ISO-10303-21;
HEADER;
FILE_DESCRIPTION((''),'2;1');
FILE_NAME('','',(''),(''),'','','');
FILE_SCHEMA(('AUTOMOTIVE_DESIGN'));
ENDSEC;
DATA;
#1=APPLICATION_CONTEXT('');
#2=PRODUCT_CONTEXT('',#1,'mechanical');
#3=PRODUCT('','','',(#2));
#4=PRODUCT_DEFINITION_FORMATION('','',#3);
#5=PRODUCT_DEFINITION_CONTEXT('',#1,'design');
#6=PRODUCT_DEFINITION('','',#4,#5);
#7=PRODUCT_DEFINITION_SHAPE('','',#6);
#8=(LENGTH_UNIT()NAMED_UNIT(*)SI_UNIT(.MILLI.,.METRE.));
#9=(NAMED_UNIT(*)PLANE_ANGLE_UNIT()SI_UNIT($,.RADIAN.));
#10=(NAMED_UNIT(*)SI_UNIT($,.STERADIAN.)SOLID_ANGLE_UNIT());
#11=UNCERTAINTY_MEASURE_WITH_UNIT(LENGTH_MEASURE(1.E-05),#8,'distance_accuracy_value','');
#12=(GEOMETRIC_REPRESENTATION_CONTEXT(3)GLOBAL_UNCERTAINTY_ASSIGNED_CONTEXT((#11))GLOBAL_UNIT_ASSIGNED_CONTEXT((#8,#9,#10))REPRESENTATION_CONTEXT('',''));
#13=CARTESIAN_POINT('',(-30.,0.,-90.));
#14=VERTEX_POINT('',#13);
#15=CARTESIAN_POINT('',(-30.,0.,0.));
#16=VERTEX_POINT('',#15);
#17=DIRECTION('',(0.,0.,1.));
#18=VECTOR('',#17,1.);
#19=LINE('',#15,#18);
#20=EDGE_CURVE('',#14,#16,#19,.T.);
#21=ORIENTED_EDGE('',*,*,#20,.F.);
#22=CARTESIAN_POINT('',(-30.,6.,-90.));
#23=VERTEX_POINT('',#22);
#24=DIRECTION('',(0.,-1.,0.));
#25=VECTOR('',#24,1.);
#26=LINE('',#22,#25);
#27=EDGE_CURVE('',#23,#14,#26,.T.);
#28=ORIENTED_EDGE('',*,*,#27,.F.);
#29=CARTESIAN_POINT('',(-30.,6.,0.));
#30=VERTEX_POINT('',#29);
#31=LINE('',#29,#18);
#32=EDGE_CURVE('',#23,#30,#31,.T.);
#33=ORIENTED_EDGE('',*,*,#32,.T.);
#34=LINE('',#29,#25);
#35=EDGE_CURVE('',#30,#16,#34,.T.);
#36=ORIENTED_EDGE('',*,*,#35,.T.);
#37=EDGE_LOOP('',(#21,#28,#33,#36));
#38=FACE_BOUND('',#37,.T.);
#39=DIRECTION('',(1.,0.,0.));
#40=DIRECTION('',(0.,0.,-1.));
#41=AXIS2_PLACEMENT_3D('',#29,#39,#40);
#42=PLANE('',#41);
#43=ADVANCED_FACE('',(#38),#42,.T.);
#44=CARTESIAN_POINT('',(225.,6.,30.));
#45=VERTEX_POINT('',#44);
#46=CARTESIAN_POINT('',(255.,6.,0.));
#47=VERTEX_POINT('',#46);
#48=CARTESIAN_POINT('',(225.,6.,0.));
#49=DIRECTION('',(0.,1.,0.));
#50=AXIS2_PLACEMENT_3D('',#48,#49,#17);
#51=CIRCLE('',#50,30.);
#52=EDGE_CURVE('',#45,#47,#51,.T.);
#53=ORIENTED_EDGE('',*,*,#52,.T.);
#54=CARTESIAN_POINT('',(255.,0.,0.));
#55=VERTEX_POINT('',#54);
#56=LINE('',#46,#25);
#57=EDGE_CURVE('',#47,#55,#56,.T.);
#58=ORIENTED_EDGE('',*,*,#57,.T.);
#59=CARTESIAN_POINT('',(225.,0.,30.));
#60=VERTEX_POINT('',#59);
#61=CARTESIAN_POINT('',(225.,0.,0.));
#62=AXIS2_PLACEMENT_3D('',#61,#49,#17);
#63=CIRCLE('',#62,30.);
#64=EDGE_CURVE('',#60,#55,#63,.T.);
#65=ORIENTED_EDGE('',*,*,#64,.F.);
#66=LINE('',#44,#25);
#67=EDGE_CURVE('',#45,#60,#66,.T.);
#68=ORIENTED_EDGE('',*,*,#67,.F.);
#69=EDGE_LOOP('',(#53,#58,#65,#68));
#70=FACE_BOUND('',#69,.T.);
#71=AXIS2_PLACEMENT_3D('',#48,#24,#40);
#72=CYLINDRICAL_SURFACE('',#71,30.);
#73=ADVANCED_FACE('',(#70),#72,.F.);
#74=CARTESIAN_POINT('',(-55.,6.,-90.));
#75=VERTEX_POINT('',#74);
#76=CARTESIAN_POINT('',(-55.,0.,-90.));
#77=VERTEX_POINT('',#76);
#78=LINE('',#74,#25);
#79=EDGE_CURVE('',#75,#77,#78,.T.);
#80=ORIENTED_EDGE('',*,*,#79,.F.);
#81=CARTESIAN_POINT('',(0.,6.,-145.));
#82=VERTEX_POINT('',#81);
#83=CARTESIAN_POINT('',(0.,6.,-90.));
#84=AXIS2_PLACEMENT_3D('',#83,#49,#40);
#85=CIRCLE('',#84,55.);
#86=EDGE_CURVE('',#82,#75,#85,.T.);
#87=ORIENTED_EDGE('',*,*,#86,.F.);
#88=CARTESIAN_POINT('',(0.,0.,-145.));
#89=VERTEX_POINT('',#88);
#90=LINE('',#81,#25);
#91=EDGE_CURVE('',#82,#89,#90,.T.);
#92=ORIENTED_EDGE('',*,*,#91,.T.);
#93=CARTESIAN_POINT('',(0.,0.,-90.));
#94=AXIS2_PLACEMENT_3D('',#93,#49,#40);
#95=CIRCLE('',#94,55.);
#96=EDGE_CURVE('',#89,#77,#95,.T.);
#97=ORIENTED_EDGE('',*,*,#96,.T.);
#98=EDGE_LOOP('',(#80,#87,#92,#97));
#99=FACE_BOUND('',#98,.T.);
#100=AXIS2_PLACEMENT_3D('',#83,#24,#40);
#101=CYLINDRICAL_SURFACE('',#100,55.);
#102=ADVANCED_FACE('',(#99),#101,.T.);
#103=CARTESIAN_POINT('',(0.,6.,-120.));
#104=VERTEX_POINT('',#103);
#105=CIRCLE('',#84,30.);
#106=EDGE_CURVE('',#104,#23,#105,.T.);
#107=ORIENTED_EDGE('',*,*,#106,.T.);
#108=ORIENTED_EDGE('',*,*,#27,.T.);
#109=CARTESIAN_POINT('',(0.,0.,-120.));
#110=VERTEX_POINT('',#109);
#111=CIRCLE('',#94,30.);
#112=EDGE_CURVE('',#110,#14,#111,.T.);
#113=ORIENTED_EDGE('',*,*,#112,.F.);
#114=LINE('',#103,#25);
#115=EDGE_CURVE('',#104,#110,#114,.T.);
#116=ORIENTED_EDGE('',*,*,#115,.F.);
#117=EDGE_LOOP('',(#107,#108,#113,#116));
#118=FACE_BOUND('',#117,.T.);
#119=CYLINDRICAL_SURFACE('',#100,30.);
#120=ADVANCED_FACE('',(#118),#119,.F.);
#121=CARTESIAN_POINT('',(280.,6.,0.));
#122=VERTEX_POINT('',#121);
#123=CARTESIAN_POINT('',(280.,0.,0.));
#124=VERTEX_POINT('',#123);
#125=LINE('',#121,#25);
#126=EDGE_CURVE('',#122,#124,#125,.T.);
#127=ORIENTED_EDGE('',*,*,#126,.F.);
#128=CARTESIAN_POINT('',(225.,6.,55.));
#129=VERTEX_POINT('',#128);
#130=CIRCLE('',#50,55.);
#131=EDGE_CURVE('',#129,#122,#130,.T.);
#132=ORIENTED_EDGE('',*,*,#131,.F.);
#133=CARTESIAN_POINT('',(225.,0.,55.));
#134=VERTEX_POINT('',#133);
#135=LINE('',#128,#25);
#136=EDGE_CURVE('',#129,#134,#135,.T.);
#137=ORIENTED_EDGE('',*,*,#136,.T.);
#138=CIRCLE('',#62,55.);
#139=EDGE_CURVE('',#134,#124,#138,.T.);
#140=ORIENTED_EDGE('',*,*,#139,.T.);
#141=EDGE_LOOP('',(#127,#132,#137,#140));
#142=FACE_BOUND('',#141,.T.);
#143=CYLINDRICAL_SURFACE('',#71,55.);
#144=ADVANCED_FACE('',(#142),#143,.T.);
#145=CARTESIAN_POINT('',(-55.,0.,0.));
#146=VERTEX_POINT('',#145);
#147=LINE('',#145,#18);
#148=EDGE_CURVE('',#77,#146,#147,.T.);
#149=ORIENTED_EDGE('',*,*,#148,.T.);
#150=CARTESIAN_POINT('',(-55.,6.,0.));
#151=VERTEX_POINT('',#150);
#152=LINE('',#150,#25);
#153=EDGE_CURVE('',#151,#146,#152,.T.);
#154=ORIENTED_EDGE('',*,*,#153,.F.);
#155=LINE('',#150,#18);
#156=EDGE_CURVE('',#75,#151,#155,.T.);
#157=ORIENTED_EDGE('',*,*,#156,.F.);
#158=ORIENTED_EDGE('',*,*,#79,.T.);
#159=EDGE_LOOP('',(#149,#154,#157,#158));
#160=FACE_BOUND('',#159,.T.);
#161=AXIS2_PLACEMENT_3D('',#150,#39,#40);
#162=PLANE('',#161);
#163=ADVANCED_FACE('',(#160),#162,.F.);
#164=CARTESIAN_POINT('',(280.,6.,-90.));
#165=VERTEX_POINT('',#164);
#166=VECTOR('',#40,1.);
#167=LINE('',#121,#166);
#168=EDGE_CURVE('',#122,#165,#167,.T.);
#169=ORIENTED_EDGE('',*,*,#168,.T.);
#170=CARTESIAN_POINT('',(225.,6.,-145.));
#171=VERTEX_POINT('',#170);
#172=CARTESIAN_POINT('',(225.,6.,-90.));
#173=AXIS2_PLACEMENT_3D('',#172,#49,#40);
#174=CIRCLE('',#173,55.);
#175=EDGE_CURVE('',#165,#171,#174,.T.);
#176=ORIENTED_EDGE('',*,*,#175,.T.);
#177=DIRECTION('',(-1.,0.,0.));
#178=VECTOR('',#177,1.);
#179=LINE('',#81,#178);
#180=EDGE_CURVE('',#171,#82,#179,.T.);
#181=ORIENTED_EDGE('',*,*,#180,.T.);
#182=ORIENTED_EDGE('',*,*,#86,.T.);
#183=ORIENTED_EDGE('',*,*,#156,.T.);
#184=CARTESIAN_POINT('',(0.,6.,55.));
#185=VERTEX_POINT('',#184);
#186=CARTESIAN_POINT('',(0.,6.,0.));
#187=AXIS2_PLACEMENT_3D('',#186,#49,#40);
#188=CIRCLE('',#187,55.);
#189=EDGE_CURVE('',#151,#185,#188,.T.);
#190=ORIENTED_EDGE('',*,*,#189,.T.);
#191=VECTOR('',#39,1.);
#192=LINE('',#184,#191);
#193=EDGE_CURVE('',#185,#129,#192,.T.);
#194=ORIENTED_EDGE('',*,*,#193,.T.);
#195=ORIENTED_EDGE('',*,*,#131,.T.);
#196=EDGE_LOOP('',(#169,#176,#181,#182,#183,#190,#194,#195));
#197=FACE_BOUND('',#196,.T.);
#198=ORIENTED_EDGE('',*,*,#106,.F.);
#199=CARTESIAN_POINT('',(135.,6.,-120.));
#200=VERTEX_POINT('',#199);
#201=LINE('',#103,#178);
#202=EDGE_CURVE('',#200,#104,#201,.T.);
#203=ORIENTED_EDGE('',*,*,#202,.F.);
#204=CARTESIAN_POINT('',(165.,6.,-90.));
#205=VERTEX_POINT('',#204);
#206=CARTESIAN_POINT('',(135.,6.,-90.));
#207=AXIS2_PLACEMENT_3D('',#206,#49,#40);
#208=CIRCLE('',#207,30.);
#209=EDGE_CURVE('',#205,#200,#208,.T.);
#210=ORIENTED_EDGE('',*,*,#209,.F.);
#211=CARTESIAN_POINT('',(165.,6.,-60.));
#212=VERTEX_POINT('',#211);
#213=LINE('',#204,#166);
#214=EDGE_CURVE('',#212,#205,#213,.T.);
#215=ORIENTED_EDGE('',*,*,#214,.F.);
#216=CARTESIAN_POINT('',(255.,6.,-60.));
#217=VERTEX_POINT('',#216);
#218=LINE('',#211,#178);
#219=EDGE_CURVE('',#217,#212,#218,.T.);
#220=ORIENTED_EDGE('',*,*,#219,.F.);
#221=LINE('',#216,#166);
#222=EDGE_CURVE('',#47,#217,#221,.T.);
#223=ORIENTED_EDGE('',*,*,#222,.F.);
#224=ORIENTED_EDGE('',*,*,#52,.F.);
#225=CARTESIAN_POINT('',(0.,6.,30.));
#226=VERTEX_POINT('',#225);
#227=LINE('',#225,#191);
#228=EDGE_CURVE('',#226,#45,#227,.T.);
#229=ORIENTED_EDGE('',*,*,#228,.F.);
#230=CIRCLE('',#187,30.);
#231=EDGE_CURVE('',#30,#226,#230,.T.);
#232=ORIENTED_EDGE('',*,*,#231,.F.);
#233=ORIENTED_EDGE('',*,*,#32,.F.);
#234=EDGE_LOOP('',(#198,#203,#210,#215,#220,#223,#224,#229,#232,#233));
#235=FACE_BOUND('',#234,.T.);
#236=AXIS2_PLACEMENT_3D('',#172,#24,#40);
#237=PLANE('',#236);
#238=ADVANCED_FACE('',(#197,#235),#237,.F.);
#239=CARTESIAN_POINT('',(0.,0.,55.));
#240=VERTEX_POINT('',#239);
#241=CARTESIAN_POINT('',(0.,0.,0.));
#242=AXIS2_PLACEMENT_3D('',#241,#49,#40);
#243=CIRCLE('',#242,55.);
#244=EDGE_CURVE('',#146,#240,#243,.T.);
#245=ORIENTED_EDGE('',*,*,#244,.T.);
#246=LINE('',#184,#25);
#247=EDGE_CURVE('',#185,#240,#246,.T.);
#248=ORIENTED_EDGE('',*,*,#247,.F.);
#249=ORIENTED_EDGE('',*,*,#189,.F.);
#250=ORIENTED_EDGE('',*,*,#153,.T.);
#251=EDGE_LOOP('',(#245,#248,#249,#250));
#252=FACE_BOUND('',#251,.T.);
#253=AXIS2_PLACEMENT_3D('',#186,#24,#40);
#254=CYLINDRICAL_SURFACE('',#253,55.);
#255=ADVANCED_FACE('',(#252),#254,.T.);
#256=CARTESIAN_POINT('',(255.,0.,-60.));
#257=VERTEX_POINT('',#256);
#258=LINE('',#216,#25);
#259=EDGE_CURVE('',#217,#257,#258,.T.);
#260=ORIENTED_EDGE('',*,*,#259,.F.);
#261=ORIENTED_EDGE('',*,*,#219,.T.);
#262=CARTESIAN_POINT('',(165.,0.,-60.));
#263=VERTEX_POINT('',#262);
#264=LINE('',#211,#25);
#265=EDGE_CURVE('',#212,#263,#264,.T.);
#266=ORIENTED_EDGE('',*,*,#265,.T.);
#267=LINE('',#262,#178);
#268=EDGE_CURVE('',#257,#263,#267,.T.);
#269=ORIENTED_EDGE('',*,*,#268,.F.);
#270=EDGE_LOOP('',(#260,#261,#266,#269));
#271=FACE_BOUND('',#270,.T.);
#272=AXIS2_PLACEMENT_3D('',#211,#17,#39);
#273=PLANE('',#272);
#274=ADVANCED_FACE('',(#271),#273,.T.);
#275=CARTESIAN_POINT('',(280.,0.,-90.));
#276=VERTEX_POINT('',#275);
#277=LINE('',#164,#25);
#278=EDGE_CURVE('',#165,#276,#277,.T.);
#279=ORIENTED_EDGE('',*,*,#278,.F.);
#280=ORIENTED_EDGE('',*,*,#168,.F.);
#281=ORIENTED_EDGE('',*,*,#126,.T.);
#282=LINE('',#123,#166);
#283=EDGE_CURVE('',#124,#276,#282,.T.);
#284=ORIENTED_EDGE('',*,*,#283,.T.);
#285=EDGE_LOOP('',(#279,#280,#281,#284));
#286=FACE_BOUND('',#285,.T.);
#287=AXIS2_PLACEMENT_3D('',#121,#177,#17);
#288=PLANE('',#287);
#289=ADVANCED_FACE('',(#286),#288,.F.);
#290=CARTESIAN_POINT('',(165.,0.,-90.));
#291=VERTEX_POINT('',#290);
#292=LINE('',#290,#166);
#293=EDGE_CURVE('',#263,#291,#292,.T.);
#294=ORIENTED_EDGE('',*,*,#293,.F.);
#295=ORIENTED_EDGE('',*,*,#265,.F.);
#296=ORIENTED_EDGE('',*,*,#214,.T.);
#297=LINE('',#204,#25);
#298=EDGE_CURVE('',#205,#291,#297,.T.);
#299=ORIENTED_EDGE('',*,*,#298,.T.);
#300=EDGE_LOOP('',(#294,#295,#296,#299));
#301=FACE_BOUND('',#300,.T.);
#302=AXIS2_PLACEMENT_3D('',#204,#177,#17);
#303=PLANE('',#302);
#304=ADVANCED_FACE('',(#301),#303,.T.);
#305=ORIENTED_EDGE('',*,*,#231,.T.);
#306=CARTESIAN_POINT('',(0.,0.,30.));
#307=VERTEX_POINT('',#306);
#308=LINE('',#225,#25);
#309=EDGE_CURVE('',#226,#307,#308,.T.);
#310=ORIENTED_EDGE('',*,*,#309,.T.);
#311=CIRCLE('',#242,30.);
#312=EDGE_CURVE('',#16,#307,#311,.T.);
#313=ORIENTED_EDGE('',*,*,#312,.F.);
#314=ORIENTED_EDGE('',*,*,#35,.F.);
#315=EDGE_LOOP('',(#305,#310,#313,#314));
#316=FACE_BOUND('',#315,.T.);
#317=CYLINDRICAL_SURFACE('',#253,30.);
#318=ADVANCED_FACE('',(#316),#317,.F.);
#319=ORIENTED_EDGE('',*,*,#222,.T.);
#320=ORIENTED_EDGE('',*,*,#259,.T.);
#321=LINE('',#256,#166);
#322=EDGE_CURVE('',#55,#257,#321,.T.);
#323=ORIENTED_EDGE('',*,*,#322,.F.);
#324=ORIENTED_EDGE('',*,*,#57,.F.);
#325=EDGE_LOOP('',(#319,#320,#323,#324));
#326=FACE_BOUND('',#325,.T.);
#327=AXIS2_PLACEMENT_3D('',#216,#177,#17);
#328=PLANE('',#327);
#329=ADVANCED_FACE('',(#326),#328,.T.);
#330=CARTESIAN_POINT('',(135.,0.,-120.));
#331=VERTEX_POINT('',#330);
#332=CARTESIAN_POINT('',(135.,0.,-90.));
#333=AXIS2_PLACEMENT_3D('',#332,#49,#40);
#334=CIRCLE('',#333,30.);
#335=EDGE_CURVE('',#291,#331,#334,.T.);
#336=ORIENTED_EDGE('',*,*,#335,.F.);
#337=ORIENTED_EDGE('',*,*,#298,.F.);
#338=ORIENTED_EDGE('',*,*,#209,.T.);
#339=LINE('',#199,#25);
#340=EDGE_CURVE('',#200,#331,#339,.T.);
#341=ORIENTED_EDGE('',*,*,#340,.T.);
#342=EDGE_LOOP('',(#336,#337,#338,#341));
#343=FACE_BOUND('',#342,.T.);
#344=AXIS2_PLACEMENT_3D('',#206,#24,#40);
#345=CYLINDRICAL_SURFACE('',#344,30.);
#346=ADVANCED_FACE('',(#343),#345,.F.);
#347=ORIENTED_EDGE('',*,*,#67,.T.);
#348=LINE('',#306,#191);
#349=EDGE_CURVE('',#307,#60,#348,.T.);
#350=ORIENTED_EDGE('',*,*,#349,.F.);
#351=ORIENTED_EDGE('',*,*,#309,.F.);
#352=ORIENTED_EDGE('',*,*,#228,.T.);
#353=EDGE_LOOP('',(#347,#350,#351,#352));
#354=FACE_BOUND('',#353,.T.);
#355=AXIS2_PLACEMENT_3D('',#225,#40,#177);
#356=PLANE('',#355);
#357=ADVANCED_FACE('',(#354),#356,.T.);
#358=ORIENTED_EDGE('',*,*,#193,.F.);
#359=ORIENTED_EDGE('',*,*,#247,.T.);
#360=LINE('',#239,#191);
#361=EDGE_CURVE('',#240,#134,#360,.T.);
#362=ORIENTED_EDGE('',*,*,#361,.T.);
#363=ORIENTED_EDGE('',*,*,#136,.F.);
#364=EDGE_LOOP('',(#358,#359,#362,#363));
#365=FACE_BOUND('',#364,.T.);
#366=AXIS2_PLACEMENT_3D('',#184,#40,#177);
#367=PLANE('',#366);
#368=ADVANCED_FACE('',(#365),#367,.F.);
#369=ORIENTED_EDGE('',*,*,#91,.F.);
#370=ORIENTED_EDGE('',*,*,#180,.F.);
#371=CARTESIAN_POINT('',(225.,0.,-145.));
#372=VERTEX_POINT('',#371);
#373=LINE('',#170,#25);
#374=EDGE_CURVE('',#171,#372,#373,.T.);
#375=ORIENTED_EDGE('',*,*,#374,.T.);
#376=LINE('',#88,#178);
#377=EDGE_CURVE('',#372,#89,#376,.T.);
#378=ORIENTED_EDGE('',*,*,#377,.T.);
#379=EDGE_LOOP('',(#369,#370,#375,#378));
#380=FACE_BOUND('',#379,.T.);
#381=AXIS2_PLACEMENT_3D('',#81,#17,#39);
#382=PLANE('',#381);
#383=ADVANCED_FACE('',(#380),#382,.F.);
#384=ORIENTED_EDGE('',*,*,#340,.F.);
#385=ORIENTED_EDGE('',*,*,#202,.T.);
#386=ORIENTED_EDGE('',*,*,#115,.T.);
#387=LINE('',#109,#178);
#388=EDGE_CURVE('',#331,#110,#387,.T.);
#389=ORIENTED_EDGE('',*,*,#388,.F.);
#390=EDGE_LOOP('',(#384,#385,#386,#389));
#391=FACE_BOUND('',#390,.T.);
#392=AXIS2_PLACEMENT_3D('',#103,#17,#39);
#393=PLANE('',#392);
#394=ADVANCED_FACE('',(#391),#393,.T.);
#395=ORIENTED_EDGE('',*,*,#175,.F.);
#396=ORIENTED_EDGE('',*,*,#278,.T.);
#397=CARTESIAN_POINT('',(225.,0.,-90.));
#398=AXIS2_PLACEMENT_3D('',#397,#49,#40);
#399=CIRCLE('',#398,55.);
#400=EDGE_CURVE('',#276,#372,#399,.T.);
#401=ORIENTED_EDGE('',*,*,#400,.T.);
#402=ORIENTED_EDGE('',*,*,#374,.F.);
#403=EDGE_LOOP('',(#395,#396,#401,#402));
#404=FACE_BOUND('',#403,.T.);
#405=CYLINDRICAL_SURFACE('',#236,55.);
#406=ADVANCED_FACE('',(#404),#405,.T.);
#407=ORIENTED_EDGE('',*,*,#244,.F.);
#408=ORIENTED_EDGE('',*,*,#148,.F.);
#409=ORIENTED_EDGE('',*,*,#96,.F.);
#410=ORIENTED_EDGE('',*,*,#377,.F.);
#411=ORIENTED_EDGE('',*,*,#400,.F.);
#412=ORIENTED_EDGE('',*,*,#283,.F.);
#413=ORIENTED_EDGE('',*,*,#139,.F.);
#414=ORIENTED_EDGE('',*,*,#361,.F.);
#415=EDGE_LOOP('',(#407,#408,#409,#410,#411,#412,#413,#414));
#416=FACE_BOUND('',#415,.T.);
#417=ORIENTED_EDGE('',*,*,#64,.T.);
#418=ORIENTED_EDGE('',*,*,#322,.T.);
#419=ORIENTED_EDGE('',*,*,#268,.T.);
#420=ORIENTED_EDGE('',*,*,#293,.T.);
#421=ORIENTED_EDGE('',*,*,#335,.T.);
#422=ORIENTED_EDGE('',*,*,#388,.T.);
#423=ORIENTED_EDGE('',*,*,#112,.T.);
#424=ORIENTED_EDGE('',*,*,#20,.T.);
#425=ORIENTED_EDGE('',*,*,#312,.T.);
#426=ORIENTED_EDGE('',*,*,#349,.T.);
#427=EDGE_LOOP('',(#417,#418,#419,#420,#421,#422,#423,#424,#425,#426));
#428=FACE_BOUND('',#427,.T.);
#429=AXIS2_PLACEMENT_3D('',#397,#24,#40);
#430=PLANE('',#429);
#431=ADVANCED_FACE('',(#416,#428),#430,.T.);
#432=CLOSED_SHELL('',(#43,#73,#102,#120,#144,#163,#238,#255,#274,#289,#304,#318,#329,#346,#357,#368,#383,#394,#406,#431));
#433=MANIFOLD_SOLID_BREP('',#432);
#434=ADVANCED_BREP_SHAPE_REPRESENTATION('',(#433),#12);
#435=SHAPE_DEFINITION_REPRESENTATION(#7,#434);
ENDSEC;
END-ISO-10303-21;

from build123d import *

# Parameters (mm, degrees)
BOSS_EXTRUDE1_DEPTH = 6


with BuildPart() as part:
    # Sketch1 → Boss-Extrude1 (new body)
    with BuildSketch(Plane(origin=(0, 0, 0), x_dir=(1, 0, 0), z_dir=(0, 1, 0))):
        with BuildLine():
            Line((0, -55), (225, -55))
            ThreePointArc((225, -55), (263.890872965, -38.890872965), (280, 0))
            Line((280, 0), (280, 90))
            ThreePointArc((280, 90), (263.890872965, 128.890872965), (225, 145))
            Line((225, 145), (0, 145))
            ThreePointArc((0, 145), (-38.890872965, 128.890872965), (-55, 90))
            Line((-55, 90), (-55, 0))
            ThreePointArc((-55, 0), (-38.890872965, -38.890872965), (0, -55))
        make_face()
        with BuildLine():
            Line((0, -30), (225, -30))
            ThreePointArc((225, -30), (246.213203436, -21.213203436), (255, 0))
            Line((255, 0), (255, 60))
            Line((255, 60), (165, 60))
            Line((165, 60), (165, 90))
            ThreePointArc((165, 90), (156.213203436, 111.213203436), (135, 120))
            Line((135, 120), (0, 120))
            ThreePointArc((0, 120), (-21.213203436, 111.213203436), (-30, 90))
            Line((-30, 90), (-30, 0))
            ThreePointArc((-30, 0), (-21.213203436, -21.213203436), (0, -30))
        make_face(mode=Mode.SUBTRACT)
    extrude(amount=BOSS_EXTRUDE1_DEPTH)


solid = part.part
